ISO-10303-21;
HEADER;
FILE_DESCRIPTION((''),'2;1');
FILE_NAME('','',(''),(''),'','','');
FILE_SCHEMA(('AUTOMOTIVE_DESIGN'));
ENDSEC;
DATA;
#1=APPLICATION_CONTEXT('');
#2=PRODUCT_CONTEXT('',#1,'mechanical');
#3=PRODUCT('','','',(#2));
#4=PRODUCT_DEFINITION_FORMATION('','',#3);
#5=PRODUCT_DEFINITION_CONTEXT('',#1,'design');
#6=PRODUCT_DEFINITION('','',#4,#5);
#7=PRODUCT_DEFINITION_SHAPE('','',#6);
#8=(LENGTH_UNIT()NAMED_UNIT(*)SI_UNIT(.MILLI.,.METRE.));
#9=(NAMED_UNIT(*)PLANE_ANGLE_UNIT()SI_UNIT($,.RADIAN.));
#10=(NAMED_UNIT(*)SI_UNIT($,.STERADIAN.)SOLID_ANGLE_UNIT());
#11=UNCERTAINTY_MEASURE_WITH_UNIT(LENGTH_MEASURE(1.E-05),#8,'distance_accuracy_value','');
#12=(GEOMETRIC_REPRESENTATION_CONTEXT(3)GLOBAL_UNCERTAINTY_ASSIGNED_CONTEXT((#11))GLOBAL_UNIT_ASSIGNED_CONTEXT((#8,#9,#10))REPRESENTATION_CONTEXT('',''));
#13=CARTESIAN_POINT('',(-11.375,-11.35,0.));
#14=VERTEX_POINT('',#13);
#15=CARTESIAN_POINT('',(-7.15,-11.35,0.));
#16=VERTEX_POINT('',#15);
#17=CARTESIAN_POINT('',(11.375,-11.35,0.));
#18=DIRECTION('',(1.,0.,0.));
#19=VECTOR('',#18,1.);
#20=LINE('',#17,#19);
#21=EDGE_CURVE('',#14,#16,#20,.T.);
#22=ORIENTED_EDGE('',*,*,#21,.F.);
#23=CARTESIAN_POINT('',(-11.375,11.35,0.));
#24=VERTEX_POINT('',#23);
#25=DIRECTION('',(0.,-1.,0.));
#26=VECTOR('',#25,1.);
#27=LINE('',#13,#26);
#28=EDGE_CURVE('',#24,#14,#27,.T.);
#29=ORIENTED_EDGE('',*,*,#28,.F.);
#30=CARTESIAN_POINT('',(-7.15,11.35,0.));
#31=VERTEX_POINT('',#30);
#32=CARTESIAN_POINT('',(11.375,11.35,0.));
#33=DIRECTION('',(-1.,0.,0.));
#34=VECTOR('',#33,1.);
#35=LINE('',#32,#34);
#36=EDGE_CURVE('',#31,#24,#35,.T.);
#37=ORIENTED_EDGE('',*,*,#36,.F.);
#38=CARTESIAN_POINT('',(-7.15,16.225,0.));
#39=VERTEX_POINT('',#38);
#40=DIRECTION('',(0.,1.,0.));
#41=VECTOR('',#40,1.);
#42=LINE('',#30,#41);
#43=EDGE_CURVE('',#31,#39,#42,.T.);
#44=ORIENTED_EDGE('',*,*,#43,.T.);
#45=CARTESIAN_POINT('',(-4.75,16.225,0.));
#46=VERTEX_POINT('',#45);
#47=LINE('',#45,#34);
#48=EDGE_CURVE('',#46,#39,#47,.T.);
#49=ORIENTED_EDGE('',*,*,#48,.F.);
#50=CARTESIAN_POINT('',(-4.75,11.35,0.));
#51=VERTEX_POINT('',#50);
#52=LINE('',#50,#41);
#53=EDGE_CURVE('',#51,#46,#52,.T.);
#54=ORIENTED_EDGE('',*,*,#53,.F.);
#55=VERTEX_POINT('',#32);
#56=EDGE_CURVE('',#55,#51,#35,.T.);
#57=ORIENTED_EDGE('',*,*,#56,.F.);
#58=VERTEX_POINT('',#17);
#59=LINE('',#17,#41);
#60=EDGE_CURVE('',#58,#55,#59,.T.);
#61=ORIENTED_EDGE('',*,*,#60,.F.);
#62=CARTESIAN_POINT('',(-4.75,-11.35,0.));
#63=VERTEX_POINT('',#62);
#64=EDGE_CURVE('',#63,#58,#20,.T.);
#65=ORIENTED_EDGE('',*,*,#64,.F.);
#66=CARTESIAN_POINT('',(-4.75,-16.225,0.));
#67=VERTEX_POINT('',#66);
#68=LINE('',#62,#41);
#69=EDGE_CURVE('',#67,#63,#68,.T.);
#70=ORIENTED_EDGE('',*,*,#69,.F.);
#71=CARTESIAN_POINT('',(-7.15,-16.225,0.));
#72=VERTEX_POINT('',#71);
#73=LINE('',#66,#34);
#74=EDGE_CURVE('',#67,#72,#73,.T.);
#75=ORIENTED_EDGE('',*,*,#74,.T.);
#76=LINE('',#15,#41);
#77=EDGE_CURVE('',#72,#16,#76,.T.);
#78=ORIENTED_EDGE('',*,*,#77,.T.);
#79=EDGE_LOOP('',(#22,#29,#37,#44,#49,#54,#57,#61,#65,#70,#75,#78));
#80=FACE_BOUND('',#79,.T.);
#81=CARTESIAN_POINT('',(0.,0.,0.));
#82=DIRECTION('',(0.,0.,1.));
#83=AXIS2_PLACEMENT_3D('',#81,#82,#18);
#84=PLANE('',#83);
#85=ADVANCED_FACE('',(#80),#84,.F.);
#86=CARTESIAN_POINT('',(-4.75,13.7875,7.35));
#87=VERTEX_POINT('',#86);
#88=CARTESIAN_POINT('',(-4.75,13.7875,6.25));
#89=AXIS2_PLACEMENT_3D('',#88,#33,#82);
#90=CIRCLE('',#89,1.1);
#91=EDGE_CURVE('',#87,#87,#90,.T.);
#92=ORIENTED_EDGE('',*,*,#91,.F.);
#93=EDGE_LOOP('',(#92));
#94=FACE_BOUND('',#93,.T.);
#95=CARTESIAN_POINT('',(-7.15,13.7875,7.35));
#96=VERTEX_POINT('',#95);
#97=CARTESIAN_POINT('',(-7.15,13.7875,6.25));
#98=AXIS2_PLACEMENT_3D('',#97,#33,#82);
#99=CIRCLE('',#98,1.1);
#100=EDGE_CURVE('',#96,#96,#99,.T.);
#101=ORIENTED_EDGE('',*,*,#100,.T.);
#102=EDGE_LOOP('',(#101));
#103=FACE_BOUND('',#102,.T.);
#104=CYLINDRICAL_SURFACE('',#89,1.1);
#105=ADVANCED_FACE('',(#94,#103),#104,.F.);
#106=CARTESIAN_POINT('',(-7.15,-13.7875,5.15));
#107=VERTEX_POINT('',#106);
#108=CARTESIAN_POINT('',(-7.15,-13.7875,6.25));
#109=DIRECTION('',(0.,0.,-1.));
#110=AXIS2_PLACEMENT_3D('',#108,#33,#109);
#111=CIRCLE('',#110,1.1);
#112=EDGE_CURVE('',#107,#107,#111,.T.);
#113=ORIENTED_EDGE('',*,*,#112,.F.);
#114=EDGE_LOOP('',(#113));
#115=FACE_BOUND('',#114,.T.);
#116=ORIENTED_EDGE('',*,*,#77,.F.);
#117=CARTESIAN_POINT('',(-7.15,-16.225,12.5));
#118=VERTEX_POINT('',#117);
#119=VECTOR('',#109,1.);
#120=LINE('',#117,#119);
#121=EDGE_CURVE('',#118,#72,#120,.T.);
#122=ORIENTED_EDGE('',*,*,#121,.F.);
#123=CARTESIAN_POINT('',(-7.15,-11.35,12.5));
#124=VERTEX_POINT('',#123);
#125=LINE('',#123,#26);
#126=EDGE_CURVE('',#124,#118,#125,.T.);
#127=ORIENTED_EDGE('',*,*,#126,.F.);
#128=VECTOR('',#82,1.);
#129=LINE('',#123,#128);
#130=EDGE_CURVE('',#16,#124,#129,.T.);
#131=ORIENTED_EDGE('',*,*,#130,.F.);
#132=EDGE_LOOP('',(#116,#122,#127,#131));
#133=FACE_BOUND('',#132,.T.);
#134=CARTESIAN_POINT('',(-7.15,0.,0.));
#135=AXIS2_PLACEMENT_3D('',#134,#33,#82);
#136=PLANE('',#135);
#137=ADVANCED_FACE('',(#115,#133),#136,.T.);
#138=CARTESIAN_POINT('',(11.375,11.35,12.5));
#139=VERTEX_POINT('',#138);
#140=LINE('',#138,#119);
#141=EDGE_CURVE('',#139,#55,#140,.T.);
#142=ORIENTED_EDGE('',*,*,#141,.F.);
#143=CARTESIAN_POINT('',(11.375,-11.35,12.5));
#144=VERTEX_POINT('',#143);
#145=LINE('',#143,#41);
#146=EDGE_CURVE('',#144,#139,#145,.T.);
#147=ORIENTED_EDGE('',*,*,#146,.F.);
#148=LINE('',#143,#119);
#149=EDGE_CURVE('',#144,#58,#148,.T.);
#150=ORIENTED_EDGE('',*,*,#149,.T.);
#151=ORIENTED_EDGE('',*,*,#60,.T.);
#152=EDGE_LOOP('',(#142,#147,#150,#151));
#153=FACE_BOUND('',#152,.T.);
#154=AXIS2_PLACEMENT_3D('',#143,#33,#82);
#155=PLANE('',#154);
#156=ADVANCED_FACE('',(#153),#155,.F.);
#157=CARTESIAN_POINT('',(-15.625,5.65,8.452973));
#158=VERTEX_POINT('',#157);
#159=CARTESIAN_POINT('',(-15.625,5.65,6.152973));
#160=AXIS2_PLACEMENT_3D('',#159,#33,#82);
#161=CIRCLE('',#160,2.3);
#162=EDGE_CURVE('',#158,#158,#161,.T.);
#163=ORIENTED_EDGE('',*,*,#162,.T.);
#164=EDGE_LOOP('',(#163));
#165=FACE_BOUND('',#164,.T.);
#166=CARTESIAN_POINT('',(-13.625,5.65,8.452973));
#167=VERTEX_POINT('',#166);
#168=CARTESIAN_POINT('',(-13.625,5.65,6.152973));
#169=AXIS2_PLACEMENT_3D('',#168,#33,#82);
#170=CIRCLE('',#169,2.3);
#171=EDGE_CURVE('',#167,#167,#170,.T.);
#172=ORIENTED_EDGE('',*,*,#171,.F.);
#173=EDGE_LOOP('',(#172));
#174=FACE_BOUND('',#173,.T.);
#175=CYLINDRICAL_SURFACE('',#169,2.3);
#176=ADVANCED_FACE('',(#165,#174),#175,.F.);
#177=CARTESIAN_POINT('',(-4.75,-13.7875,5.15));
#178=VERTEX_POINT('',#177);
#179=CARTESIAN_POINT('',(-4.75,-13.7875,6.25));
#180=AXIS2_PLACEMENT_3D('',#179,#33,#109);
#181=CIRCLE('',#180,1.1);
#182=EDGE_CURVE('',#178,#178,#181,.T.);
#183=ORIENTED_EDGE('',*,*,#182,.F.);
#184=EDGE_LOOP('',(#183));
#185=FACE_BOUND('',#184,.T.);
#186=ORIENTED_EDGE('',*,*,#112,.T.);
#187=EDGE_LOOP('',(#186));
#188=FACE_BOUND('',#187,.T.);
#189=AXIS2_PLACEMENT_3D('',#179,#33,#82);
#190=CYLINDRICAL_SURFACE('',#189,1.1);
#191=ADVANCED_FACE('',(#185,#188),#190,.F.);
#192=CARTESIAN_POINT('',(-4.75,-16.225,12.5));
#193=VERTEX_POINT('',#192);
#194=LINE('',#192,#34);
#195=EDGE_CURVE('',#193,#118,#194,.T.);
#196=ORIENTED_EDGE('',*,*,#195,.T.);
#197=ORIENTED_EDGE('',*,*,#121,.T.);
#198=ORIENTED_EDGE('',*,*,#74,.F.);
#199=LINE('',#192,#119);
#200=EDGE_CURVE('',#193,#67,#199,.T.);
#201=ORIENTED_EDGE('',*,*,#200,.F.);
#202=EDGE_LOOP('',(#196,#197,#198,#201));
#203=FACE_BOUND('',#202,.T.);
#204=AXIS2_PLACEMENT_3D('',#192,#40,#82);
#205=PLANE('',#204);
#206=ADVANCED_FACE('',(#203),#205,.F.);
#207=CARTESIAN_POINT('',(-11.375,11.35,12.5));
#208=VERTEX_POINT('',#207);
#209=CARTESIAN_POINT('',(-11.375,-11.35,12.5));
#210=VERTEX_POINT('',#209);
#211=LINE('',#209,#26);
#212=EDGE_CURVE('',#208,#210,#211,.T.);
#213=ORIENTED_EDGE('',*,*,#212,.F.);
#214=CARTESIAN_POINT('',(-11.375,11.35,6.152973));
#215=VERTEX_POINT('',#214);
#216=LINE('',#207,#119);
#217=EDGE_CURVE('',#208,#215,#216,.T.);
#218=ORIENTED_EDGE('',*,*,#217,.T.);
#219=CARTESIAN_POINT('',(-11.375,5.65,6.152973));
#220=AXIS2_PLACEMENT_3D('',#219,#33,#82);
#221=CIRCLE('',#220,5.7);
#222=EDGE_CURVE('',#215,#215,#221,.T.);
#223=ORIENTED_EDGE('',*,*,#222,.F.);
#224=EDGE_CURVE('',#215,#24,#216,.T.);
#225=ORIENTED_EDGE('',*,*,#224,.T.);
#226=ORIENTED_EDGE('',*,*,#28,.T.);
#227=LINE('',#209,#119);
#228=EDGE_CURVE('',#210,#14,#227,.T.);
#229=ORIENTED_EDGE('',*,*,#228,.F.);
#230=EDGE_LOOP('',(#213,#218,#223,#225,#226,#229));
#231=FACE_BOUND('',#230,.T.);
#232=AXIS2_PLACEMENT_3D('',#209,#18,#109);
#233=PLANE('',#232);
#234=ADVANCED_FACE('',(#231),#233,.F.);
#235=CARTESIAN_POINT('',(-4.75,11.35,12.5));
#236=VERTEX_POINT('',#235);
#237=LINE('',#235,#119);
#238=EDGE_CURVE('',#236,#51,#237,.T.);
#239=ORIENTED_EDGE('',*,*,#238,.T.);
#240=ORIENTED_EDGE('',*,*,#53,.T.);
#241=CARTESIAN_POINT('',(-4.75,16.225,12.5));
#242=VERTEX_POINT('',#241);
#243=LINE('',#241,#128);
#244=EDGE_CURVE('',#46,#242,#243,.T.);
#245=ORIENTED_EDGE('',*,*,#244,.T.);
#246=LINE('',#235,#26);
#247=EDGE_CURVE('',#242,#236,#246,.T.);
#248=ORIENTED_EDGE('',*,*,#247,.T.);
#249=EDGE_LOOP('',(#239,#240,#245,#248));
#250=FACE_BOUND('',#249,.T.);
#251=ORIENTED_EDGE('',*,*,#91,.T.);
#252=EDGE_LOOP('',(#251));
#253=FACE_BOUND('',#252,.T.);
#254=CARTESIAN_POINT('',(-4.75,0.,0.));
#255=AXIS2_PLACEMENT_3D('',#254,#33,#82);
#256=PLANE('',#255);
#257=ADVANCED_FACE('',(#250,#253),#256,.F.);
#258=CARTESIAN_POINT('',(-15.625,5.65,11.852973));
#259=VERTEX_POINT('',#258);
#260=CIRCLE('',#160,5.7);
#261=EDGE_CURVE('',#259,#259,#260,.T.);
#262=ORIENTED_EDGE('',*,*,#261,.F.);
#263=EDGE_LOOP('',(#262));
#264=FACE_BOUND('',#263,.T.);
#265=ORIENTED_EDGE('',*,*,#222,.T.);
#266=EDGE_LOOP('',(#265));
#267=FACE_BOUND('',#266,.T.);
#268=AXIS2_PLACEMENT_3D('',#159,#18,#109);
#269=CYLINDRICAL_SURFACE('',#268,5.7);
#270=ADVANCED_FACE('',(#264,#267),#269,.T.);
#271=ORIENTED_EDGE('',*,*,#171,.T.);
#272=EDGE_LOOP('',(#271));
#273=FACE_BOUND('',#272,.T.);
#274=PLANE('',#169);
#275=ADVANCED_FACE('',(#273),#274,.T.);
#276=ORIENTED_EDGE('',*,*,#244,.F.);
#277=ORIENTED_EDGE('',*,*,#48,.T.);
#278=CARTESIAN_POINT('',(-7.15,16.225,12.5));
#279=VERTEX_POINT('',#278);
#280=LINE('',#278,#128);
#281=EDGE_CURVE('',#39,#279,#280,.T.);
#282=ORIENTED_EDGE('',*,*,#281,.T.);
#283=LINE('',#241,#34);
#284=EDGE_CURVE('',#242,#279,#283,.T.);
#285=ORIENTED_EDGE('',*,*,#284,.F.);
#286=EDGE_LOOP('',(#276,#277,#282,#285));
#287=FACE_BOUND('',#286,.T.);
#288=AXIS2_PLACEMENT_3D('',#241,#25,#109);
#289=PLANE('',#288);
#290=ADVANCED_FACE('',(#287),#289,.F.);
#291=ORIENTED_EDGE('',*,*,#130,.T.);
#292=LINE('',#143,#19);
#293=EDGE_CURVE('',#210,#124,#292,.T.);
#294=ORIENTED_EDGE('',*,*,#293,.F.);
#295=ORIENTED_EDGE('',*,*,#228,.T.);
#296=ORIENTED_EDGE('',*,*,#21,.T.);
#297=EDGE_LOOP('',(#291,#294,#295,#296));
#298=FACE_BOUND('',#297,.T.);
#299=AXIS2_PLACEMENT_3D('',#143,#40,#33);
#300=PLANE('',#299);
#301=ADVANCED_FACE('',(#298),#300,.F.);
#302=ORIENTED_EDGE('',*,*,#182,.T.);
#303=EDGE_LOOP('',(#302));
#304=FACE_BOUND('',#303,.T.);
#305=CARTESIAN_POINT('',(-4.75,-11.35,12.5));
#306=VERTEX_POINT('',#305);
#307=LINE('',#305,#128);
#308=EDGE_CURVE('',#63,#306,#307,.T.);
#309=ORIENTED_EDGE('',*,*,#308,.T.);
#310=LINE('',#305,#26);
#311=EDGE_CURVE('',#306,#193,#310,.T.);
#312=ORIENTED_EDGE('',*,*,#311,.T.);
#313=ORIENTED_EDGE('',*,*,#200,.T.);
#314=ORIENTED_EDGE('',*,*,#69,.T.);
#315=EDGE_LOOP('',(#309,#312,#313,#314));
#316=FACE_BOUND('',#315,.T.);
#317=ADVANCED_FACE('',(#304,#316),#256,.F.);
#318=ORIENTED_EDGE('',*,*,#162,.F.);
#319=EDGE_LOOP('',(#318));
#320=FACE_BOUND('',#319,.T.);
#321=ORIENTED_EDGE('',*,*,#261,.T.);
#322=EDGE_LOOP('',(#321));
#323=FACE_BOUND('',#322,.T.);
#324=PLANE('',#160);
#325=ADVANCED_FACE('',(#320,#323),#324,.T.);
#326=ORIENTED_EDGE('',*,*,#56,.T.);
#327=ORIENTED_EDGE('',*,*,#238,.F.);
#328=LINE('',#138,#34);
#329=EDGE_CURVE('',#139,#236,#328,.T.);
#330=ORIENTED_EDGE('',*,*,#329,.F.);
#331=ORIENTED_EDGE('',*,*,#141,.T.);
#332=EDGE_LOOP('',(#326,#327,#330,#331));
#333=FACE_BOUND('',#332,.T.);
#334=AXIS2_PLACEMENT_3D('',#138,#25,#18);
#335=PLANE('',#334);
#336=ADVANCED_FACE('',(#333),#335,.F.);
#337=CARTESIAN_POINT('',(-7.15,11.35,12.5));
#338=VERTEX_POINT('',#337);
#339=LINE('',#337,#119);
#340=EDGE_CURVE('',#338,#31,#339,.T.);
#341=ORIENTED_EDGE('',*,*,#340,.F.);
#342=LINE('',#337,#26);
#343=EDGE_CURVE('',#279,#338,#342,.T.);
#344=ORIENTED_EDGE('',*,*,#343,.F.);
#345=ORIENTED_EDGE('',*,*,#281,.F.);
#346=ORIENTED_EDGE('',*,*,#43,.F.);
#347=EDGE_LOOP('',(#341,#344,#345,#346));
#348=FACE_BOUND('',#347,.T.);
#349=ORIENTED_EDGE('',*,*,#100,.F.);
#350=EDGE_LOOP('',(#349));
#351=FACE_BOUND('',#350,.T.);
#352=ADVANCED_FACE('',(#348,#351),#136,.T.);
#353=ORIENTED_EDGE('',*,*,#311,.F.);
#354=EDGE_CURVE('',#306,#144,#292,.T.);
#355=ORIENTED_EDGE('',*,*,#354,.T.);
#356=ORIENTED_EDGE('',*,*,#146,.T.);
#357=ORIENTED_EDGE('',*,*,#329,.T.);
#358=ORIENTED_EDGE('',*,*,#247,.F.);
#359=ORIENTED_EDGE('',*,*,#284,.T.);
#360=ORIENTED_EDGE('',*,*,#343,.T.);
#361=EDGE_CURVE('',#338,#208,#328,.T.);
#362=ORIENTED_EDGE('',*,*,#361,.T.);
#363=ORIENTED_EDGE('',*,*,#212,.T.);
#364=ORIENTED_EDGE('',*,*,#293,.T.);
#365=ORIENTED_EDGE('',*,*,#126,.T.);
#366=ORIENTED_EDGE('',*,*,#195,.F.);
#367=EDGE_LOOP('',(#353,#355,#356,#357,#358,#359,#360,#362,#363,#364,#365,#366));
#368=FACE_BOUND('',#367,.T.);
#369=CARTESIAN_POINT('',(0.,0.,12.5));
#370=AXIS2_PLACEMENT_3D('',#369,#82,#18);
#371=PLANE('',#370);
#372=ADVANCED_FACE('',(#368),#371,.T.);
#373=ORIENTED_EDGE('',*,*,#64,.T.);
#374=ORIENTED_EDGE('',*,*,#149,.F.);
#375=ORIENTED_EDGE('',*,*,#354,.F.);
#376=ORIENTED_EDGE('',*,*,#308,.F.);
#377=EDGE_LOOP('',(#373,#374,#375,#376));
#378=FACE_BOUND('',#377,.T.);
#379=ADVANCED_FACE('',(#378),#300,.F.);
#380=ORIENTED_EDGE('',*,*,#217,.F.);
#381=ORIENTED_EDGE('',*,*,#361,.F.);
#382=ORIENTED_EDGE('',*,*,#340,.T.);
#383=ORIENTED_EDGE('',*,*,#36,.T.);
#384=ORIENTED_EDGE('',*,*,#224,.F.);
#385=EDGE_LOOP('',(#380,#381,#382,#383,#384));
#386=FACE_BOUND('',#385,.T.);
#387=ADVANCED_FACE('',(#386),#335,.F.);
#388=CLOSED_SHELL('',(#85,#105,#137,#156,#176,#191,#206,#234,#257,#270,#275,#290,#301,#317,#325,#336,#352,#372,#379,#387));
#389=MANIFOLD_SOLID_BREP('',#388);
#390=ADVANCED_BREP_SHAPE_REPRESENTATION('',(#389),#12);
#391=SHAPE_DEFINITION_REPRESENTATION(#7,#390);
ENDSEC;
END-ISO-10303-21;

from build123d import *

# Parameters (mm, degrees)
SKETCH1_W           = 22.75
SKETCH1_H           = 22.7
BOSS_EXTRUDE1_DEPTH = 12.5
SKETCH2_R           = 5.7
BOSS_EXTRUDE2_DEPTH = 4.25
SKETCH3_R           = 2.3
CUT_EXTRUDE1_DEPTH  = 2
SKETCH4_W           = 12.5
SKETCH4_H           = 4.875
BOSS_EXTRUDE3_DEPTH = 2.4
SKETCH5_R           = 1.1
CUT_EXTRUDE2_DEPTH  = 2.4


with BuildPart() as part:
    # Sketch1 → Boss-Extrude1 (new body)
    with BuildSketch(Plane.XY):
        Rectangle(SKETCH1_W, SKETCH1_H)
    extrude(amount=BOSS_EXTRUDE1_DEPTH)

    # Sketch2 → Boss-Extrude2 (add)
    with BuildSketch(Plane.ZY.offset(11.375)):
        with Locations(Location((6.152972547, 5.65, 0), (0, 0, 90))):
            Circle(SKETCH2_R)
    extrude(amount=BOSS_EXTRUDE2_DEPTH)

    # Sketch3 → Cut-Extrude1 (cut)
    with BuildSketch(Plane.ZY.offset(15.625)):
        with Locations((6.152972547, 5.65)):
            Circle(SKETCH3_R)
    extrude(amount=-CUT_EXTRUDE1_DEPTH, mode=Mode.SUBTRACT)

    # Sketch4 → Boss-Extrude3 (add)
    with BuildSketch(Plane(origin=(-7.15, 0, 0), x_dir=(0, 0, -1), z_dir=(1, 0, 0))):
        with Locations((-6.25, 13.7875)):
            Rectangle(SKETCH4_W, SKETCH4_H)
        with Locations((-6.25, -13.7875)):
            Rectangle(SKETCH4_W, SKETCH4_H)
    extrude(amount=BOSS_EXTRUDE3_DEPTH)

    # Sketch5 → Cut-Extrude2 (cut)
    with BuildSketch(Plane.ZY.offset(7.15)):
        with Locations((6.25, 13.7875)):
            Circle(SKETCH5_R)
        with Locations(Location((6.25, -13.7875, 0), (0, 0, 180))):
            Circle(SKETCH5_R)
    extrude(amount=-CUT_EXTRUDE2_DEPTH, mode=Mode.SUBTRACT)


solid = part.part
